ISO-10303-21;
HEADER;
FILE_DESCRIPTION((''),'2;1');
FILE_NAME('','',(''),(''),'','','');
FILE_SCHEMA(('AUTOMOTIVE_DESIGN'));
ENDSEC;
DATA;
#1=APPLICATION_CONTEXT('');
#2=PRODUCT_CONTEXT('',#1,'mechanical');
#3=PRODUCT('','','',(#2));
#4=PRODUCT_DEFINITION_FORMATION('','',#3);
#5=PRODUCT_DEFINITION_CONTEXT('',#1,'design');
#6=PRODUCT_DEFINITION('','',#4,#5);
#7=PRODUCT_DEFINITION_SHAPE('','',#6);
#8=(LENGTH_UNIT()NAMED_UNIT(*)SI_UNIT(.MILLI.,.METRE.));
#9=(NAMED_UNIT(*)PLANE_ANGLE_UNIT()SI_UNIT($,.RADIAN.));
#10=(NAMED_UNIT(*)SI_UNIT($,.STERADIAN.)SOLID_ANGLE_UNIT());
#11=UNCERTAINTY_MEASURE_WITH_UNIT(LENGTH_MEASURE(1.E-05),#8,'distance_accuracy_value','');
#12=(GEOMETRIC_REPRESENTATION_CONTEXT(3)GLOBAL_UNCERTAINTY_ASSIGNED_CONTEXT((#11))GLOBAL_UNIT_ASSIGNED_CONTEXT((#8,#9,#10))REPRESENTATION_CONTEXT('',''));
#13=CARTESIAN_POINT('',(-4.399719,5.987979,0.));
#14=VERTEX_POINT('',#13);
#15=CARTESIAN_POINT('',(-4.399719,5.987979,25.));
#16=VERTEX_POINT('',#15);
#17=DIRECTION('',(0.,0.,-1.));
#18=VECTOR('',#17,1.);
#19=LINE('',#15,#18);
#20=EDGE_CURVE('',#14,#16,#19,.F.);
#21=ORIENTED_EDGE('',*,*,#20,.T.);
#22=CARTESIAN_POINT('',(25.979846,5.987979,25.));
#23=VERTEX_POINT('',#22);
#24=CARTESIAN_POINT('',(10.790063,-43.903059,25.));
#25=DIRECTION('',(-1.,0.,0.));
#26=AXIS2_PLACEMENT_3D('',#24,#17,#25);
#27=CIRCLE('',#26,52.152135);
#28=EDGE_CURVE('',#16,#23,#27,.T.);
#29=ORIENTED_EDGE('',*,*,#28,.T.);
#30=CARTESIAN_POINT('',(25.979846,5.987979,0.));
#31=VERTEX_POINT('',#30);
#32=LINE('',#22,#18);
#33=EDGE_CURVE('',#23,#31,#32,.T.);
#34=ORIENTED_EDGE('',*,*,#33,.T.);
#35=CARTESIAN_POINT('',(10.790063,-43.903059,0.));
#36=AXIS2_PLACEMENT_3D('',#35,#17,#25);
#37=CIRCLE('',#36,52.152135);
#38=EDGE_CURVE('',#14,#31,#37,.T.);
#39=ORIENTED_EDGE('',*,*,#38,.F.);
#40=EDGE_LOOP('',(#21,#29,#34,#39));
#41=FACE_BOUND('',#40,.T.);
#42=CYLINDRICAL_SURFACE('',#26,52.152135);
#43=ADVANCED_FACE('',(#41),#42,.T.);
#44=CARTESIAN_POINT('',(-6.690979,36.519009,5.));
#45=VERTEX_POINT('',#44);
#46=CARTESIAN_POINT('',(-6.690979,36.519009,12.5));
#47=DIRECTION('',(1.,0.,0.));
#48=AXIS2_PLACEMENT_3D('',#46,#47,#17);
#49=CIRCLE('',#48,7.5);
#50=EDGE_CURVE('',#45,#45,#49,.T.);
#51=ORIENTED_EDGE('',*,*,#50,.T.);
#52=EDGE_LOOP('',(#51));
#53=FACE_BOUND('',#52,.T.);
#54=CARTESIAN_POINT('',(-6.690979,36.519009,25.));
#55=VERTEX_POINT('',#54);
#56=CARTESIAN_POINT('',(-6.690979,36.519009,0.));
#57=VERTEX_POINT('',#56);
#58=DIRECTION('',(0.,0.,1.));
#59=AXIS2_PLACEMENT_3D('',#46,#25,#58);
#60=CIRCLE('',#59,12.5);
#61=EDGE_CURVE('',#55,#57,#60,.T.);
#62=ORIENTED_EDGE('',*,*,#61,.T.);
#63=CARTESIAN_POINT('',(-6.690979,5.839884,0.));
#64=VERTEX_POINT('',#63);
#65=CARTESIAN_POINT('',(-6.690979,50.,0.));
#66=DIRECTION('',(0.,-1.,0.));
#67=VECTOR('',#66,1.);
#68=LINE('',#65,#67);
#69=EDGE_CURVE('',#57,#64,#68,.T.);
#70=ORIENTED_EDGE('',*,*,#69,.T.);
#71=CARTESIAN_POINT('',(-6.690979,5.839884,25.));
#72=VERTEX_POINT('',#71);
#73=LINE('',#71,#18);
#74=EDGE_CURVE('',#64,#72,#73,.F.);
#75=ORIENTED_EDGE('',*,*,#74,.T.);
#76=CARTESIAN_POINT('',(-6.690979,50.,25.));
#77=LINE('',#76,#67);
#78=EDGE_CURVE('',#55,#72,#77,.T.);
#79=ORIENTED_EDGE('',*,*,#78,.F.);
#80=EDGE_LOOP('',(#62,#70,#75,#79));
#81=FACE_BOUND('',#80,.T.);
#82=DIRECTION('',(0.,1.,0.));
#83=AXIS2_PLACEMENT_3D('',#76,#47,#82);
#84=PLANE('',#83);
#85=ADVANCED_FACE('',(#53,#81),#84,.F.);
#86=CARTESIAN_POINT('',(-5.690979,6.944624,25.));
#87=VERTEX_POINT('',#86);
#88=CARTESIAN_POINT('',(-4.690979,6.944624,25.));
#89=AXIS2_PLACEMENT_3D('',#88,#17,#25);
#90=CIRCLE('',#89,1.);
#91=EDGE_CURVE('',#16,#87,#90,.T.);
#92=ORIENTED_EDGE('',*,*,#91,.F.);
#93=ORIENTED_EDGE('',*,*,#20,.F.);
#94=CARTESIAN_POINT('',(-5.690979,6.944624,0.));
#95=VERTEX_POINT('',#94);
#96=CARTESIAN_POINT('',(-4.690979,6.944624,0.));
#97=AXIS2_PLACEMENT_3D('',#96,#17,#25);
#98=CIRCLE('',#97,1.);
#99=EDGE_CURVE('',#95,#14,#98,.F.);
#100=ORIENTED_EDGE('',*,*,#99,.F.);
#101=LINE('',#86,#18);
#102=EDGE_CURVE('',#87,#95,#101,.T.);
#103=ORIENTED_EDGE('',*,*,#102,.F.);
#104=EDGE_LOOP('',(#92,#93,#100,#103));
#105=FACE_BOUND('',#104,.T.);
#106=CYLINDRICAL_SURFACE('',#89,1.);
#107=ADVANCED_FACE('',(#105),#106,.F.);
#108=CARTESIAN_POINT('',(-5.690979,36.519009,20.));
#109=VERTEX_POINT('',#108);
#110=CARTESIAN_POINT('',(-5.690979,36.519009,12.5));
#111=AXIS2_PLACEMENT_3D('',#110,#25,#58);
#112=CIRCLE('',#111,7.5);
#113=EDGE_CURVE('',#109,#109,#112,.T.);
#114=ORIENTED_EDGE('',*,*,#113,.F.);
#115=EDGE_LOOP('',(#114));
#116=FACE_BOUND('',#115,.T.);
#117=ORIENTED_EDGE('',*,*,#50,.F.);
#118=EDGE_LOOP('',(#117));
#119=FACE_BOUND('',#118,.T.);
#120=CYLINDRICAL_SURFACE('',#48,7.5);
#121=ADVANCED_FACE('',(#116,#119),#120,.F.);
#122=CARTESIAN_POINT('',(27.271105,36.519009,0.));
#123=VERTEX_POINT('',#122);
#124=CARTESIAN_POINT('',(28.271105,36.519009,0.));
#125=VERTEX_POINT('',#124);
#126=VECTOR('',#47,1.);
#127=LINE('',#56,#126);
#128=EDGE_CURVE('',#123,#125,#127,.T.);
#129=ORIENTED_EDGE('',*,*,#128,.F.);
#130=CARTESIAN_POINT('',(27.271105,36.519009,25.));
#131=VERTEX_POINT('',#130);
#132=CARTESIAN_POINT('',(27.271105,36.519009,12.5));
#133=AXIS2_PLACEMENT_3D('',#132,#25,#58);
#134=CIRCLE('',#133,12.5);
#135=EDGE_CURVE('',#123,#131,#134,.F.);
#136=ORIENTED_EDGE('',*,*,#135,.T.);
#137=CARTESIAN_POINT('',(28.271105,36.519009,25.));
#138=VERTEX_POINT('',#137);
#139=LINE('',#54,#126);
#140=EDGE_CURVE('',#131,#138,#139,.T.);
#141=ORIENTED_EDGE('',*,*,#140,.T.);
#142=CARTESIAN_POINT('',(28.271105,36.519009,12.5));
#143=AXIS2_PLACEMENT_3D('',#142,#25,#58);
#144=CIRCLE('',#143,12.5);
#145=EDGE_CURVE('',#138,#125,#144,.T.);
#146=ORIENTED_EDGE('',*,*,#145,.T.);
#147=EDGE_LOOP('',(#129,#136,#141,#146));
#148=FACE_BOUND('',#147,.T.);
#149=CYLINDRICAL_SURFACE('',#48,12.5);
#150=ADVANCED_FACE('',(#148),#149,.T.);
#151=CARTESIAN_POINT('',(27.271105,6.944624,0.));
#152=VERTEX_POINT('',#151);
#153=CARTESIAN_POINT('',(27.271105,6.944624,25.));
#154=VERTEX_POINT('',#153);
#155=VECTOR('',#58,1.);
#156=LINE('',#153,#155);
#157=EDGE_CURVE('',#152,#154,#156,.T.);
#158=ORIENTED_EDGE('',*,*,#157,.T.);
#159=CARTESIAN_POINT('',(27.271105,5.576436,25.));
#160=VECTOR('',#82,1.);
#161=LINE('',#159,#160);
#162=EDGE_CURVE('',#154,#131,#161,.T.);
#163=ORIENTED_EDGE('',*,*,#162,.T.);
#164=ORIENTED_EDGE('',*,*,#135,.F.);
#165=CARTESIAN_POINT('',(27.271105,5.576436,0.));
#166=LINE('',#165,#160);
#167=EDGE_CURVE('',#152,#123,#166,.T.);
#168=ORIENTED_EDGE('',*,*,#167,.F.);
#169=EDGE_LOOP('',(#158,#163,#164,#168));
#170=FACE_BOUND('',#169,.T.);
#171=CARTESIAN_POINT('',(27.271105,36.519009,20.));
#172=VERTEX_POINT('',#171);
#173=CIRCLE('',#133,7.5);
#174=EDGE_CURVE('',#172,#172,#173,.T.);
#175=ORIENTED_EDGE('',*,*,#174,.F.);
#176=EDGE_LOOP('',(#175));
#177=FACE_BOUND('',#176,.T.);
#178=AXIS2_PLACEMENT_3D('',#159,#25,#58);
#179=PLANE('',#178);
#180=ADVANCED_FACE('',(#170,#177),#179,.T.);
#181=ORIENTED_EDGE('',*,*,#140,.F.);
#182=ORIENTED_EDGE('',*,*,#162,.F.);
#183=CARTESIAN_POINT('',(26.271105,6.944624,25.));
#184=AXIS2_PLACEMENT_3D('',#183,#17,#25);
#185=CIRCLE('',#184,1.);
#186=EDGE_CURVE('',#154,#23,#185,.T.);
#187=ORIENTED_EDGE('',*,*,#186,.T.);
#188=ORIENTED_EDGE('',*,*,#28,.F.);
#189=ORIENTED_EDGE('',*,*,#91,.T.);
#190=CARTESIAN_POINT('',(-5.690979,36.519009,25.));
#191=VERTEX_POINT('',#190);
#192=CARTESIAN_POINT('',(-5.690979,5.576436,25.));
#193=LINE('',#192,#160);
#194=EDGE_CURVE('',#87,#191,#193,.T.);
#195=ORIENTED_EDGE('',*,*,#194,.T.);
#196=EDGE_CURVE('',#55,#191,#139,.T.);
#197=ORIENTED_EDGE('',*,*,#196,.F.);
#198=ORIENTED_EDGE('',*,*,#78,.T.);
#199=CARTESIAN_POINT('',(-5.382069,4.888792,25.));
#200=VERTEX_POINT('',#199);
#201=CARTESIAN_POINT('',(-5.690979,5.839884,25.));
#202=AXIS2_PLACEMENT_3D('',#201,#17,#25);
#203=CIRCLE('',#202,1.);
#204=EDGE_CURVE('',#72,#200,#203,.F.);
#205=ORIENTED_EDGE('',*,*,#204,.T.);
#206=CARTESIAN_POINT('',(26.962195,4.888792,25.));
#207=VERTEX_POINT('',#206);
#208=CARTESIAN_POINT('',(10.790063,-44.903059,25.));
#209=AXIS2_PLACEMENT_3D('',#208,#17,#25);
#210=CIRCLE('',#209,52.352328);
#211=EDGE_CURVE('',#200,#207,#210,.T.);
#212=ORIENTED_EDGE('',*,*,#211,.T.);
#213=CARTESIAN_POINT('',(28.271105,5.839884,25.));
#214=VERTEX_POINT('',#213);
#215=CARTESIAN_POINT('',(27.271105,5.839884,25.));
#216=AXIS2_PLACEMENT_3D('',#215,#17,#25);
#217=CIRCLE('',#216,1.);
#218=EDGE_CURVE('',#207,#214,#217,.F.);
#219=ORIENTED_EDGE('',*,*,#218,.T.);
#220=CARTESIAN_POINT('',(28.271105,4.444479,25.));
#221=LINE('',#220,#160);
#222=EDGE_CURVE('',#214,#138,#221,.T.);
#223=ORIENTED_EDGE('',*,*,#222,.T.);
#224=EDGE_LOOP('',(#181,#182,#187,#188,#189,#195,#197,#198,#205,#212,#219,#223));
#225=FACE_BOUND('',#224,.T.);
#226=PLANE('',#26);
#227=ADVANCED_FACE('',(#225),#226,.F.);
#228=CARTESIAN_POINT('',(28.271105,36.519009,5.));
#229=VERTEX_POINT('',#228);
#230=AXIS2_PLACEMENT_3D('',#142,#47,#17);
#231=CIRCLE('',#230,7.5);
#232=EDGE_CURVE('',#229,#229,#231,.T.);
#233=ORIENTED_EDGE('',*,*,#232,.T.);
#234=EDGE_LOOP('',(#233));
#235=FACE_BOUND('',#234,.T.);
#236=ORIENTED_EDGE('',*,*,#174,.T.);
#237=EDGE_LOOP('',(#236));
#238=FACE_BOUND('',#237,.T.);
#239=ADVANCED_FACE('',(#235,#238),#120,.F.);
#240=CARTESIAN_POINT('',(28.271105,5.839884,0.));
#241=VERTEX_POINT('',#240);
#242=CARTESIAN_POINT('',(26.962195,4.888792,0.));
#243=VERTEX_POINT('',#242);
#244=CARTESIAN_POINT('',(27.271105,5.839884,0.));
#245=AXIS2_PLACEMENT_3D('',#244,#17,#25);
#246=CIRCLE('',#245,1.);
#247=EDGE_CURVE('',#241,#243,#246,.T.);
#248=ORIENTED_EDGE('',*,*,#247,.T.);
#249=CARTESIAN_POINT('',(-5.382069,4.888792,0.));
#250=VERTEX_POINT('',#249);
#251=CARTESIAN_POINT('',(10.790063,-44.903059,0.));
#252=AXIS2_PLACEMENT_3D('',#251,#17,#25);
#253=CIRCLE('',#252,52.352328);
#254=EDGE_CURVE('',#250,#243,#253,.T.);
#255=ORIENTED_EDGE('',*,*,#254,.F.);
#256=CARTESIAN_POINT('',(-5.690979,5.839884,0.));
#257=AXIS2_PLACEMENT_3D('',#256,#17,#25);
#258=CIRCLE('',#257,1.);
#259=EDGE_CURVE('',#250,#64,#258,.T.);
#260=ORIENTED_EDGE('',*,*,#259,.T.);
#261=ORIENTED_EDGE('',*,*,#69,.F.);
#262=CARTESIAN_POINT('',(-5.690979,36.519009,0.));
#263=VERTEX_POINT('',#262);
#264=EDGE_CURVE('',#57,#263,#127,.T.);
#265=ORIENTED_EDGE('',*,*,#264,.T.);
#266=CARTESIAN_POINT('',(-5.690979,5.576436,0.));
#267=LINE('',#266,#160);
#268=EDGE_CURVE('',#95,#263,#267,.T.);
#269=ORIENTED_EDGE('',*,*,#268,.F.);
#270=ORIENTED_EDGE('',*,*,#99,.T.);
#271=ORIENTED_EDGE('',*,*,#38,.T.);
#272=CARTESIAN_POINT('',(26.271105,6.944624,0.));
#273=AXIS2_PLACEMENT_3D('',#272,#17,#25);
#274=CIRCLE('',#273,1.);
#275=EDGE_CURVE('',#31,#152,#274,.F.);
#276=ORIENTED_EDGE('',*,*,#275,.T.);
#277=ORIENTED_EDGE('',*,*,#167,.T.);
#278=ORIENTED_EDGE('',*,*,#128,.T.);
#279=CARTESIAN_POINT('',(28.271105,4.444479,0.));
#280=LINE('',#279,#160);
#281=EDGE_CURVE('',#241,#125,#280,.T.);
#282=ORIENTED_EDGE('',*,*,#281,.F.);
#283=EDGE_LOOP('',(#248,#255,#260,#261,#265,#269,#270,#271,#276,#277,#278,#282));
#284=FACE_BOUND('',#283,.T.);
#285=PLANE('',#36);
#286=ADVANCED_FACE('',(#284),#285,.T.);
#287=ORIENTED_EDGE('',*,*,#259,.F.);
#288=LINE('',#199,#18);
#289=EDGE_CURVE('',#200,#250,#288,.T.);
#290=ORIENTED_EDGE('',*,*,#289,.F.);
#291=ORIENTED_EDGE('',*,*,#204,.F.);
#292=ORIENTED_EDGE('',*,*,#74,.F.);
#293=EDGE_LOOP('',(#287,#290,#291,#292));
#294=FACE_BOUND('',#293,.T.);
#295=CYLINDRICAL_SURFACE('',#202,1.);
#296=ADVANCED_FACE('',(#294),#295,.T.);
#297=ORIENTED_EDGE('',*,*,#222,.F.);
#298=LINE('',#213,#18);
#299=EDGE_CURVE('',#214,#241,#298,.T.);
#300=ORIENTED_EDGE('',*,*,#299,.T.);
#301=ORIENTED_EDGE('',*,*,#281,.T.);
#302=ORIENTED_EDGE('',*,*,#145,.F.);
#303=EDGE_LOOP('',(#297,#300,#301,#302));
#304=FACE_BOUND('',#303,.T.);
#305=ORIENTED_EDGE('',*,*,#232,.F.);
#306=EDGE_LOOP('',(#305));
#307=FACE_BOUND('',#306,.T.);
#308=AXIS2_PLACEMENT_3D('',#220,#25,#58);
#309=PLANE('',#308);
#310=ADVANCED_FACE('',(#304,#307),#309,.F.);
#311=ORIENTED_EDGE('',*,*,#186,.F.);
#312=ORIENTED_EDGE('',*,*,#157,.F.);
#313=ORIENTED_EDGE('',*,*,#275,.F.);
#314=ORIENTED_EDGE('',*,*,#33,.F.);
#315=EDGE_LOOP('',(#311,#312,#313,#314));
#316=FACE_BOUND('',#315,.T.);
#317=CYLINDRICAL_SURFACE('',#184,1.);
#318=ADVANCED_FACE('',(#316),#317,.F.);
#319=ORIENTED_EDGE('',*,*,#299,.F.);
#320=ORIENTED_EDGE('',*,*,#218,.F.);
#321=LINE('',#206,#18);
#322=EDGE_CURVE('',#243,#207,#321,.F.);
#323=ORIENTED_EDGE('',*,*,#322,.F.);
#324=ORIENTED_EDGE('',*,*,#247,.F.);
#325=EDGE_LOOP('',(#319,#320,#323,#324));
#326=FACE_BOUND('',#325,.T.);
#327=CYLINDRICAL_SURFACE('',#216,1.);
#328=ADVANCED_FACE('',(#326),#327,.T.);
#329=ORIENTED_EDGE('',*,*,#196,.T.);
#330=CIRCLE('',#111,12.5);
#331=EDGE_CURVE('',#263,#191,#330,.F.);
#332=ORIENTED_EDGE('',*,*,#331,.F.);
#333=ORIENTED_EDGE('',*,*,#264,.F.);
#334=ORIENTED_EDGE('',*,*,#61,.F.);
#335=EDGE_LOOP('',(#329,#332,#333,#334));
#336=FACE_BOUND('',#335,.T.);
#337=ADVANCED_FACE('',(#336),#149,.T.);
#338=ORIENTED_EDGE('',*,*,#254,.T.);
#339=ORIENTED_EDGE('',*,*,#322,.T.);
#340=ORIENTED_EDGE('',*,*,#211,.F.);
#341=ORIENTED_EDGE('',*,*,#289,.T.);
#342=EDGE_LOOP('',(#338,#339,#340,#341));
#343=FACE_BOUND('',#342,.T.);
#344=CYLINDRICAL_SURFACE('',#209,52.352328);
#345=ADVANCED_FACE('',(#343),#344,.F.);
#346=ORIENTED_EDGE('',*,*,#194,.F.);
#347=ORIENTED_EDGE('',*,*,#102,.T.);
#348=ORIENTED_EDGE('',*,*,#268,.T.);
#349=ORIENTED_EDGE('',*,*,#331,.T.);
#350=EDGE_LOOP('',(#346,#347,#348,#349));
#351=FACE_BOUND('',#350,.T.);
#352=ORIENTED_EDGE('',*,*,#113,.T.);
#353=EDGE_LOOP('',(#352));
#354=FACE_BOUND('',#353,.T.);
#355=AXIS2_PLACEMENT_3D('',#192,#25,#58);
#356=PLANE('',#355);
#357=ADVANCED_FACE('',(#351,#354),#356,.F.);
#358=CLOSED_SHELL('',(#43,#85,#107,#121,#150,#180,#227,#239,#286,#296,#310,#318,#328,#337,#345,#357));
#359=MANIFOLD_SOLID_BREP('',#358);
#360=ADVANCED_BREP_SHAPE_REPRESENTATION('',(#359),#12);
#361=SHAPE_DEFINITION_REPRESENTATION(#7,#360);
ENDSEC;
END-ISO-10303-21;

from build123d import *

# Parameters (mm, degrees)
BOSS_EXTRUDE1_DEPTH = 25
FILLET1_R           = 1
FILLET2_R           = 1
FILLET3_R           = 0.05
CUT_EXTRUDE1_DEPTH  = 66.934416438
SKETCH5_R           = 7.5
CUT_EXTRUDE2_DEPTH  = 66.193638666


with BuildPart() as part:
    # Sketch2 → Boss-Extrude1 (new body)
    with BuildSketch(Plane.XY):
        with BuildLine():
            Line((-5.6909785, 5.576436412), (-5.6909785, 50))
            Line((-5.6909785, 50), (-6.6909785, 50))
            Line((-6.6909785, 50), (-6.6909785, 4.44447901))
            ThreePointArc((-6.6909785, 4.44447901), (10.790063167, 7.449269771), (28.271104834, 4.44447901))
            Line((28.271104834, 4.44447901), (28.271104834, 49.569009084))
            Line((28.271104834, 49.569009084), (27.271104834, 49.569009084))
            Line((27.271104834, 49.569009084), (27.271104834, 5.576436412))
            ThreePointArc((27.271104834, 5.576436412), (10.790063167, 8.24907617), (-5.6909785, 5.576436412))
        make_face()
    extrude(amount=BOSS_EXTRUDE1_DEPTH)

    # Fillet1
    fillet1_edges = [part.edges().sort_by_distance(p)[0] for p in [
        (-6.6909785, 4.44447901, 12.5),
        (28.271104834, 4.44447901, 12.5),
    ]]
    fillet(fillet1_edges, radius=FILLET1_R)

    # Fillet2
    fillet2_edges = [part.edges().sort_by_distance(p)[0] for p in [
        (-5.6909785, 5.576436412, 12.5),
        (27.271104834, 5.576436412, 12.5),
    ]]
    fillet(fillet2_edges, radius=FILLET2_R)

    # Fillet3
    fillet3_edges = [part.edges().sort_by_distance(p)[0] for p in [
        (-5.6909785, 50, 12.5),
        (-6.6909785, 50, 12.5),
        (28.271104834, 49.569009084, 12.5),
        (27.271104834, 49.569009084, 12.5),
    ]]
    fillet(fillet3_edges, radius=FILLET3_R)

    # Sketch4 → Cut-Extrude1 (cut, through all)
    with BuildSketch(Plane(origin=(28.271104834, 0, 0), x_dir=(0, 0, -1), z_dir=(1, 0, 0))):
        with BuildLine():
            Line((-25, 36.519009084), (-25, 49.519009084))
            Line((-25, 49.519009084), (0, 49.519009084))
            Line((0, 49.519009084), (0, 36.519009084))
            ThreePointArc((0, 36.519009084), (-12.5, 49.019009084), (-25, 36.519009084))
        make_face()
    extrude(amount=-CUT_EXTRUDE1_DEPTH, mode=Mode.SUBTRACT)


with BuildPart() as body_2:
    # of the pieces the cut leaves, the one that is kept (cut_extrude1_keep)
    add(part.part.solids().sort_by_distance((-5.6909785, 6.944623545, 0))[0])

    # Sketch5 → Cut-Extrude2 (cut, through all)
    with BuildSketch(Plane(origin=(28.271104834, 0, 0), x_dir=(0, 0, -1), z_dir=(1, 0, 0))):
        with Locations((-12.5, 36.519009084)):
            Circle(SKETCH5_R)
    extrude(amount=-CUT_EXTRUDE2_DEPTH, mode=Mode.SUBTRACT)


solid = body_2.part
